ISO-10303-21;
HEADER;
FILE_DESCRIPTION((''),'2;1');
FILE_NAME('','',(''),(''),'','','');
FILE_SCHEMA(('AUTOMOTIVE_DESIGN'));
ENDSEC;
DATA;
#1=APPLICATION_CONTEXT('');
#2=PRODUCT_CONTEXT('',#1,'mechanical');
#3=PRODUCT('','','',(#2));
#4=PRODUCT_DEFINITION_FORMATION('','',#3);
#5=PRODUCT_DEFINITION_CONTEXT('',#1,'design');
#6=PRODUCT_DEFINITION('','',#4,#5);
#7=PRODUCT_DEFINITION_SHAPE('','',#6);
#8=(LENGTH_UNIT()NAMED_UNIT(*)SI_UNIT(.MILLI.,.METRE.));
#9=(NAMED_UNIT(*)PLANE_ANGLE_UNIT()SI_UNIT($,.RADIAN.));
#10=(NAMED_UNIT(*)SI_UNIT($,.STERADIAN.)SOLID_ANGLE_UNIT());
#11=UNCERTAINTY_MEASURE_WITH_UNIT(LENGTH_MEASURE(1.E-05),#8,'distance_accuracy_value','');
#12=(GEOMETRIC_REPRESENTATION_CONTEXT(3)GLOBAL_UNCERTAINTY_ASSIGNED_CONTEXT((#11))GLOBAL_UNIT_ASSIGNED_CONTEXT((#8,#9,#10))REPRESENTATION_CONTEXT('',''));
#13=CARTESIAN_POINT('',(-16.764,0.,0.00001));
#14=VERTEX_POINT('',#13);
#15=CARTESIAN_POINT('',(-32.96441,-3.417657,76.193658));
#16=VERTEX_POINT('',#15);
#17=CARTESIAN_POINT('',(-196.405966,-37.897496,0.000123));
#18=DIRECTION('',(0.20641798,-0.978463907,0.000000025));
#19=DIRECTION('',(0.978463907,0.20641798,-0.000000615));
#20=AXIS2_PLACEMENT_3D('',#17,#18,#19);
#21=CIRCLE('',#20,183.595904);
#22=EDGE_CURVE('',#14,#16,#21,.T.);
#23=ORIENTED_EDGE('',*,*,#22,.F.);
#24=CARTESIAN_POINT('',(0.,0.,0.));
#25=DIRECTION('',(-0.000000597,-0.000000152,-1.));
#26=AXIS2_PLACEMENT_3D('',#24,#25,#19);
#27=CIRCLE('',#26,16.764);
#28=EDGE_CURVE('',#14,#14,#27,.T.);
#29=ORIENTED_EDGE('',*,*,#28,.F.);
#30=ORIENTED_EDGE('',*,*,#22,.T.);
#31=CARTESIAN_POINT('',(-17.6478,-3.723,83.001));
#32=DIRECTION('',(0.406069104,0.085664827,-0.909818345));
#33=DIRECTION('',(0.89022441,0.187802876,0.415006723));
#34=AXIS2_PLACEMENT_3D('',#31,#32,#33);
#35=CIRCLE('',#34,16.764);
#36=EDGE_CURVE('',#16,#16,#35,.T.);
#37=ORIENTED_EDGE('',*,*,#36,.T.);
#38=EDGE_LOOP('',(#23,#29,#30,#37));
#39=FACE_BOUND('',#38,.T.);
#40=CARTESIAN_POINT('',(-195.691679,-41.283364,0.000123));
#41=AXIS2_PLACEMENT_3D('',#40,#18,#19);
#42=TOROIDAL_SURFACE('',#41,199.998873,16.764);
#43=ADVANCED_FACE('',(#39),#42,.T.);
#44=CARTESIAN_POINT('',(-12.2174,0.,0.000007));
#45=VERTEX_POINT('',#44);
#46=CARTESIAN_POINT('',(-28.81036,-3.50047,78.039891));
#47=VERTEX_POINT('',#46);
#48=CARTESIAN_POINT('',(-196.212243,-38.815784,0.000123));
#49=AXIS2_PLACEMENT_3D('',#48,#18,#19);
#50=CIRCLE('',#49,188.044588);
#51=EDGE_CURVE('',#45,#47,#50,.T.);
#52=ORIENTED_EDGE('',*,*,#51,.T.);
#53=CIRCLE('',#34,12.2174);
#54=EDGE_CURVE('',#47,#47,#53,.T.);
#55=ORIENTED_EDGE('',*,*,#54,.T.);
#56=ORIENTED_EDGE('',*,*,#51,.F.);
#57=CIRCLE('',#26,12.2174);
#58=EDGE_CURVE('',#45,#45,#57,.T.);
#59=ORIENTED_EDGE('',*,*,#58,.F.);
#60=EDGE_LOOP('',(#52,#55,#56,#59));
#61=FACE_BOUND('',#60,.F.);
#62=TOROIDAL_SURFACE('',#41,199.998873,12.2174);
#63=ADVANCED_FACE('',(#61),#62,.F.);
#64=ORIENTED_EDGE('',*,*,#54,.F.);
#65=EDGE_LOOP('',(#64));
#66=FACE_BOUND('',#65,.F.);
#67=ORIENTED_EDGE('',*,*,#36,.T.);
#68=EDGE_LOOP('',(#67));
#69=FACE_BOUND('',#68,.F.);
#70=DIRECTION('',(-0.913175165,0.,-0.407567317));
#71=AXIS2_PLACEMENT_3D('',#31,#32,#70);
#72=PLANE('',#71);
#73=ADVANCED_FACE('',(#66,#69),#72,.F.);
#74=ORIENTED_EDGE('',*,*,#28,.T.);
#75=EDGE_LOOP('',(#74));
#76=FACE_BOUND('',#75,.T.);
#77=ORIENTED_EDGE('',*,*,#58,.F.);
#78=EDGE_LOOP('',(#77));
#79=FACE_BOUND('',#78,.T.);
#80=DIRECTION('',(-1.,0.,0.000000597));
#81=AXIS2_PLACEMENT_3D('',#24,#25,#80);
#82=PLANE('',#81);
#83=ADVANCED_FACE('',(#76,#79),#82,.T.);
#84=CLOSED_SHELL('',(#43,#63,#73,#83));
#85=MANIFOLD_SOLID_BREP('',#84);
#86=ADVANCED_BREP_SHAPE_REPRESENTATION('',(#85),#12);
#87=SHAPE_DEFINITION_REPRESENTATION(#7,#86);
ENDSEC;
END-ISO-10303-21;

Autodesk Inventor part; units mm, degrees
ref_plane "Start Plane" through (0, 0, 0) normal (0, 0, 1) x (1, 0, 0)
ref_plane "End Plane" through (0, 0, 85.5897) normal (0, 0, 1) x (1, 0, 0)
sketch "Sketch" plane through (0, 0, 0) normal (0, 0, -1) x (-1, 0, 0)
  circle A0 centre (0, 0) radius 12.2174
  circle A1 centre (0, 0) radius 16.764
  dimension "d0" = 33.528
  dimension "d1" = 4.5466
sketch "Sketch3" plane through (0, 0, 0) normal (0, 0, 1) x (1, 0, 0)
  line L0 (0, 0) -> (10, 0)
ref_plane "Work Plane3" through (0, 0, 0) normal (0, -1, 0) x (1, 0, 0)
ref_plane "Orientation Work Plane" through (0, 0, 0) normal (0, 0, -1) x (-1, 0, 0)
sketch3d "Sweep Path"
  arc A0 (0, 0, 0) -> (-17.6478, -3.723, 83.001) centre (-195.6928, -41.2836, 0) ccw
sweep "Body" add profiles "Sketch" path "Sweep Path"
sketch "Sketch4" plane through (0, 0, 0) normal (0, -1, 0) x (1, 0, 0)
  line L0 (-2, 0) -> (12, 0) projected
  line L1 (-42.9137, 85.5897) -> (26.7103, 85.5897) projected
  dimension "d7" = 85.5897
equation "\"d0\" = G_H"
equation "\"d1\" = G_T"
equation "\"G_H\" = 33.528"
equation "\"G_T\" = 4.5466"
equation "\"G_L\" = d7"
equation "\"G_OFFSET_START\" = 0"
equation "\"G_OFFSET_END\" = 0"
equation "\"d5\" = G_OFFSET_END + B_L"
equation "\"B_L\" = 85.5897"
properties part number "ANSI - 1 x 0.179 - 3.37" material "Steel, Mild"
